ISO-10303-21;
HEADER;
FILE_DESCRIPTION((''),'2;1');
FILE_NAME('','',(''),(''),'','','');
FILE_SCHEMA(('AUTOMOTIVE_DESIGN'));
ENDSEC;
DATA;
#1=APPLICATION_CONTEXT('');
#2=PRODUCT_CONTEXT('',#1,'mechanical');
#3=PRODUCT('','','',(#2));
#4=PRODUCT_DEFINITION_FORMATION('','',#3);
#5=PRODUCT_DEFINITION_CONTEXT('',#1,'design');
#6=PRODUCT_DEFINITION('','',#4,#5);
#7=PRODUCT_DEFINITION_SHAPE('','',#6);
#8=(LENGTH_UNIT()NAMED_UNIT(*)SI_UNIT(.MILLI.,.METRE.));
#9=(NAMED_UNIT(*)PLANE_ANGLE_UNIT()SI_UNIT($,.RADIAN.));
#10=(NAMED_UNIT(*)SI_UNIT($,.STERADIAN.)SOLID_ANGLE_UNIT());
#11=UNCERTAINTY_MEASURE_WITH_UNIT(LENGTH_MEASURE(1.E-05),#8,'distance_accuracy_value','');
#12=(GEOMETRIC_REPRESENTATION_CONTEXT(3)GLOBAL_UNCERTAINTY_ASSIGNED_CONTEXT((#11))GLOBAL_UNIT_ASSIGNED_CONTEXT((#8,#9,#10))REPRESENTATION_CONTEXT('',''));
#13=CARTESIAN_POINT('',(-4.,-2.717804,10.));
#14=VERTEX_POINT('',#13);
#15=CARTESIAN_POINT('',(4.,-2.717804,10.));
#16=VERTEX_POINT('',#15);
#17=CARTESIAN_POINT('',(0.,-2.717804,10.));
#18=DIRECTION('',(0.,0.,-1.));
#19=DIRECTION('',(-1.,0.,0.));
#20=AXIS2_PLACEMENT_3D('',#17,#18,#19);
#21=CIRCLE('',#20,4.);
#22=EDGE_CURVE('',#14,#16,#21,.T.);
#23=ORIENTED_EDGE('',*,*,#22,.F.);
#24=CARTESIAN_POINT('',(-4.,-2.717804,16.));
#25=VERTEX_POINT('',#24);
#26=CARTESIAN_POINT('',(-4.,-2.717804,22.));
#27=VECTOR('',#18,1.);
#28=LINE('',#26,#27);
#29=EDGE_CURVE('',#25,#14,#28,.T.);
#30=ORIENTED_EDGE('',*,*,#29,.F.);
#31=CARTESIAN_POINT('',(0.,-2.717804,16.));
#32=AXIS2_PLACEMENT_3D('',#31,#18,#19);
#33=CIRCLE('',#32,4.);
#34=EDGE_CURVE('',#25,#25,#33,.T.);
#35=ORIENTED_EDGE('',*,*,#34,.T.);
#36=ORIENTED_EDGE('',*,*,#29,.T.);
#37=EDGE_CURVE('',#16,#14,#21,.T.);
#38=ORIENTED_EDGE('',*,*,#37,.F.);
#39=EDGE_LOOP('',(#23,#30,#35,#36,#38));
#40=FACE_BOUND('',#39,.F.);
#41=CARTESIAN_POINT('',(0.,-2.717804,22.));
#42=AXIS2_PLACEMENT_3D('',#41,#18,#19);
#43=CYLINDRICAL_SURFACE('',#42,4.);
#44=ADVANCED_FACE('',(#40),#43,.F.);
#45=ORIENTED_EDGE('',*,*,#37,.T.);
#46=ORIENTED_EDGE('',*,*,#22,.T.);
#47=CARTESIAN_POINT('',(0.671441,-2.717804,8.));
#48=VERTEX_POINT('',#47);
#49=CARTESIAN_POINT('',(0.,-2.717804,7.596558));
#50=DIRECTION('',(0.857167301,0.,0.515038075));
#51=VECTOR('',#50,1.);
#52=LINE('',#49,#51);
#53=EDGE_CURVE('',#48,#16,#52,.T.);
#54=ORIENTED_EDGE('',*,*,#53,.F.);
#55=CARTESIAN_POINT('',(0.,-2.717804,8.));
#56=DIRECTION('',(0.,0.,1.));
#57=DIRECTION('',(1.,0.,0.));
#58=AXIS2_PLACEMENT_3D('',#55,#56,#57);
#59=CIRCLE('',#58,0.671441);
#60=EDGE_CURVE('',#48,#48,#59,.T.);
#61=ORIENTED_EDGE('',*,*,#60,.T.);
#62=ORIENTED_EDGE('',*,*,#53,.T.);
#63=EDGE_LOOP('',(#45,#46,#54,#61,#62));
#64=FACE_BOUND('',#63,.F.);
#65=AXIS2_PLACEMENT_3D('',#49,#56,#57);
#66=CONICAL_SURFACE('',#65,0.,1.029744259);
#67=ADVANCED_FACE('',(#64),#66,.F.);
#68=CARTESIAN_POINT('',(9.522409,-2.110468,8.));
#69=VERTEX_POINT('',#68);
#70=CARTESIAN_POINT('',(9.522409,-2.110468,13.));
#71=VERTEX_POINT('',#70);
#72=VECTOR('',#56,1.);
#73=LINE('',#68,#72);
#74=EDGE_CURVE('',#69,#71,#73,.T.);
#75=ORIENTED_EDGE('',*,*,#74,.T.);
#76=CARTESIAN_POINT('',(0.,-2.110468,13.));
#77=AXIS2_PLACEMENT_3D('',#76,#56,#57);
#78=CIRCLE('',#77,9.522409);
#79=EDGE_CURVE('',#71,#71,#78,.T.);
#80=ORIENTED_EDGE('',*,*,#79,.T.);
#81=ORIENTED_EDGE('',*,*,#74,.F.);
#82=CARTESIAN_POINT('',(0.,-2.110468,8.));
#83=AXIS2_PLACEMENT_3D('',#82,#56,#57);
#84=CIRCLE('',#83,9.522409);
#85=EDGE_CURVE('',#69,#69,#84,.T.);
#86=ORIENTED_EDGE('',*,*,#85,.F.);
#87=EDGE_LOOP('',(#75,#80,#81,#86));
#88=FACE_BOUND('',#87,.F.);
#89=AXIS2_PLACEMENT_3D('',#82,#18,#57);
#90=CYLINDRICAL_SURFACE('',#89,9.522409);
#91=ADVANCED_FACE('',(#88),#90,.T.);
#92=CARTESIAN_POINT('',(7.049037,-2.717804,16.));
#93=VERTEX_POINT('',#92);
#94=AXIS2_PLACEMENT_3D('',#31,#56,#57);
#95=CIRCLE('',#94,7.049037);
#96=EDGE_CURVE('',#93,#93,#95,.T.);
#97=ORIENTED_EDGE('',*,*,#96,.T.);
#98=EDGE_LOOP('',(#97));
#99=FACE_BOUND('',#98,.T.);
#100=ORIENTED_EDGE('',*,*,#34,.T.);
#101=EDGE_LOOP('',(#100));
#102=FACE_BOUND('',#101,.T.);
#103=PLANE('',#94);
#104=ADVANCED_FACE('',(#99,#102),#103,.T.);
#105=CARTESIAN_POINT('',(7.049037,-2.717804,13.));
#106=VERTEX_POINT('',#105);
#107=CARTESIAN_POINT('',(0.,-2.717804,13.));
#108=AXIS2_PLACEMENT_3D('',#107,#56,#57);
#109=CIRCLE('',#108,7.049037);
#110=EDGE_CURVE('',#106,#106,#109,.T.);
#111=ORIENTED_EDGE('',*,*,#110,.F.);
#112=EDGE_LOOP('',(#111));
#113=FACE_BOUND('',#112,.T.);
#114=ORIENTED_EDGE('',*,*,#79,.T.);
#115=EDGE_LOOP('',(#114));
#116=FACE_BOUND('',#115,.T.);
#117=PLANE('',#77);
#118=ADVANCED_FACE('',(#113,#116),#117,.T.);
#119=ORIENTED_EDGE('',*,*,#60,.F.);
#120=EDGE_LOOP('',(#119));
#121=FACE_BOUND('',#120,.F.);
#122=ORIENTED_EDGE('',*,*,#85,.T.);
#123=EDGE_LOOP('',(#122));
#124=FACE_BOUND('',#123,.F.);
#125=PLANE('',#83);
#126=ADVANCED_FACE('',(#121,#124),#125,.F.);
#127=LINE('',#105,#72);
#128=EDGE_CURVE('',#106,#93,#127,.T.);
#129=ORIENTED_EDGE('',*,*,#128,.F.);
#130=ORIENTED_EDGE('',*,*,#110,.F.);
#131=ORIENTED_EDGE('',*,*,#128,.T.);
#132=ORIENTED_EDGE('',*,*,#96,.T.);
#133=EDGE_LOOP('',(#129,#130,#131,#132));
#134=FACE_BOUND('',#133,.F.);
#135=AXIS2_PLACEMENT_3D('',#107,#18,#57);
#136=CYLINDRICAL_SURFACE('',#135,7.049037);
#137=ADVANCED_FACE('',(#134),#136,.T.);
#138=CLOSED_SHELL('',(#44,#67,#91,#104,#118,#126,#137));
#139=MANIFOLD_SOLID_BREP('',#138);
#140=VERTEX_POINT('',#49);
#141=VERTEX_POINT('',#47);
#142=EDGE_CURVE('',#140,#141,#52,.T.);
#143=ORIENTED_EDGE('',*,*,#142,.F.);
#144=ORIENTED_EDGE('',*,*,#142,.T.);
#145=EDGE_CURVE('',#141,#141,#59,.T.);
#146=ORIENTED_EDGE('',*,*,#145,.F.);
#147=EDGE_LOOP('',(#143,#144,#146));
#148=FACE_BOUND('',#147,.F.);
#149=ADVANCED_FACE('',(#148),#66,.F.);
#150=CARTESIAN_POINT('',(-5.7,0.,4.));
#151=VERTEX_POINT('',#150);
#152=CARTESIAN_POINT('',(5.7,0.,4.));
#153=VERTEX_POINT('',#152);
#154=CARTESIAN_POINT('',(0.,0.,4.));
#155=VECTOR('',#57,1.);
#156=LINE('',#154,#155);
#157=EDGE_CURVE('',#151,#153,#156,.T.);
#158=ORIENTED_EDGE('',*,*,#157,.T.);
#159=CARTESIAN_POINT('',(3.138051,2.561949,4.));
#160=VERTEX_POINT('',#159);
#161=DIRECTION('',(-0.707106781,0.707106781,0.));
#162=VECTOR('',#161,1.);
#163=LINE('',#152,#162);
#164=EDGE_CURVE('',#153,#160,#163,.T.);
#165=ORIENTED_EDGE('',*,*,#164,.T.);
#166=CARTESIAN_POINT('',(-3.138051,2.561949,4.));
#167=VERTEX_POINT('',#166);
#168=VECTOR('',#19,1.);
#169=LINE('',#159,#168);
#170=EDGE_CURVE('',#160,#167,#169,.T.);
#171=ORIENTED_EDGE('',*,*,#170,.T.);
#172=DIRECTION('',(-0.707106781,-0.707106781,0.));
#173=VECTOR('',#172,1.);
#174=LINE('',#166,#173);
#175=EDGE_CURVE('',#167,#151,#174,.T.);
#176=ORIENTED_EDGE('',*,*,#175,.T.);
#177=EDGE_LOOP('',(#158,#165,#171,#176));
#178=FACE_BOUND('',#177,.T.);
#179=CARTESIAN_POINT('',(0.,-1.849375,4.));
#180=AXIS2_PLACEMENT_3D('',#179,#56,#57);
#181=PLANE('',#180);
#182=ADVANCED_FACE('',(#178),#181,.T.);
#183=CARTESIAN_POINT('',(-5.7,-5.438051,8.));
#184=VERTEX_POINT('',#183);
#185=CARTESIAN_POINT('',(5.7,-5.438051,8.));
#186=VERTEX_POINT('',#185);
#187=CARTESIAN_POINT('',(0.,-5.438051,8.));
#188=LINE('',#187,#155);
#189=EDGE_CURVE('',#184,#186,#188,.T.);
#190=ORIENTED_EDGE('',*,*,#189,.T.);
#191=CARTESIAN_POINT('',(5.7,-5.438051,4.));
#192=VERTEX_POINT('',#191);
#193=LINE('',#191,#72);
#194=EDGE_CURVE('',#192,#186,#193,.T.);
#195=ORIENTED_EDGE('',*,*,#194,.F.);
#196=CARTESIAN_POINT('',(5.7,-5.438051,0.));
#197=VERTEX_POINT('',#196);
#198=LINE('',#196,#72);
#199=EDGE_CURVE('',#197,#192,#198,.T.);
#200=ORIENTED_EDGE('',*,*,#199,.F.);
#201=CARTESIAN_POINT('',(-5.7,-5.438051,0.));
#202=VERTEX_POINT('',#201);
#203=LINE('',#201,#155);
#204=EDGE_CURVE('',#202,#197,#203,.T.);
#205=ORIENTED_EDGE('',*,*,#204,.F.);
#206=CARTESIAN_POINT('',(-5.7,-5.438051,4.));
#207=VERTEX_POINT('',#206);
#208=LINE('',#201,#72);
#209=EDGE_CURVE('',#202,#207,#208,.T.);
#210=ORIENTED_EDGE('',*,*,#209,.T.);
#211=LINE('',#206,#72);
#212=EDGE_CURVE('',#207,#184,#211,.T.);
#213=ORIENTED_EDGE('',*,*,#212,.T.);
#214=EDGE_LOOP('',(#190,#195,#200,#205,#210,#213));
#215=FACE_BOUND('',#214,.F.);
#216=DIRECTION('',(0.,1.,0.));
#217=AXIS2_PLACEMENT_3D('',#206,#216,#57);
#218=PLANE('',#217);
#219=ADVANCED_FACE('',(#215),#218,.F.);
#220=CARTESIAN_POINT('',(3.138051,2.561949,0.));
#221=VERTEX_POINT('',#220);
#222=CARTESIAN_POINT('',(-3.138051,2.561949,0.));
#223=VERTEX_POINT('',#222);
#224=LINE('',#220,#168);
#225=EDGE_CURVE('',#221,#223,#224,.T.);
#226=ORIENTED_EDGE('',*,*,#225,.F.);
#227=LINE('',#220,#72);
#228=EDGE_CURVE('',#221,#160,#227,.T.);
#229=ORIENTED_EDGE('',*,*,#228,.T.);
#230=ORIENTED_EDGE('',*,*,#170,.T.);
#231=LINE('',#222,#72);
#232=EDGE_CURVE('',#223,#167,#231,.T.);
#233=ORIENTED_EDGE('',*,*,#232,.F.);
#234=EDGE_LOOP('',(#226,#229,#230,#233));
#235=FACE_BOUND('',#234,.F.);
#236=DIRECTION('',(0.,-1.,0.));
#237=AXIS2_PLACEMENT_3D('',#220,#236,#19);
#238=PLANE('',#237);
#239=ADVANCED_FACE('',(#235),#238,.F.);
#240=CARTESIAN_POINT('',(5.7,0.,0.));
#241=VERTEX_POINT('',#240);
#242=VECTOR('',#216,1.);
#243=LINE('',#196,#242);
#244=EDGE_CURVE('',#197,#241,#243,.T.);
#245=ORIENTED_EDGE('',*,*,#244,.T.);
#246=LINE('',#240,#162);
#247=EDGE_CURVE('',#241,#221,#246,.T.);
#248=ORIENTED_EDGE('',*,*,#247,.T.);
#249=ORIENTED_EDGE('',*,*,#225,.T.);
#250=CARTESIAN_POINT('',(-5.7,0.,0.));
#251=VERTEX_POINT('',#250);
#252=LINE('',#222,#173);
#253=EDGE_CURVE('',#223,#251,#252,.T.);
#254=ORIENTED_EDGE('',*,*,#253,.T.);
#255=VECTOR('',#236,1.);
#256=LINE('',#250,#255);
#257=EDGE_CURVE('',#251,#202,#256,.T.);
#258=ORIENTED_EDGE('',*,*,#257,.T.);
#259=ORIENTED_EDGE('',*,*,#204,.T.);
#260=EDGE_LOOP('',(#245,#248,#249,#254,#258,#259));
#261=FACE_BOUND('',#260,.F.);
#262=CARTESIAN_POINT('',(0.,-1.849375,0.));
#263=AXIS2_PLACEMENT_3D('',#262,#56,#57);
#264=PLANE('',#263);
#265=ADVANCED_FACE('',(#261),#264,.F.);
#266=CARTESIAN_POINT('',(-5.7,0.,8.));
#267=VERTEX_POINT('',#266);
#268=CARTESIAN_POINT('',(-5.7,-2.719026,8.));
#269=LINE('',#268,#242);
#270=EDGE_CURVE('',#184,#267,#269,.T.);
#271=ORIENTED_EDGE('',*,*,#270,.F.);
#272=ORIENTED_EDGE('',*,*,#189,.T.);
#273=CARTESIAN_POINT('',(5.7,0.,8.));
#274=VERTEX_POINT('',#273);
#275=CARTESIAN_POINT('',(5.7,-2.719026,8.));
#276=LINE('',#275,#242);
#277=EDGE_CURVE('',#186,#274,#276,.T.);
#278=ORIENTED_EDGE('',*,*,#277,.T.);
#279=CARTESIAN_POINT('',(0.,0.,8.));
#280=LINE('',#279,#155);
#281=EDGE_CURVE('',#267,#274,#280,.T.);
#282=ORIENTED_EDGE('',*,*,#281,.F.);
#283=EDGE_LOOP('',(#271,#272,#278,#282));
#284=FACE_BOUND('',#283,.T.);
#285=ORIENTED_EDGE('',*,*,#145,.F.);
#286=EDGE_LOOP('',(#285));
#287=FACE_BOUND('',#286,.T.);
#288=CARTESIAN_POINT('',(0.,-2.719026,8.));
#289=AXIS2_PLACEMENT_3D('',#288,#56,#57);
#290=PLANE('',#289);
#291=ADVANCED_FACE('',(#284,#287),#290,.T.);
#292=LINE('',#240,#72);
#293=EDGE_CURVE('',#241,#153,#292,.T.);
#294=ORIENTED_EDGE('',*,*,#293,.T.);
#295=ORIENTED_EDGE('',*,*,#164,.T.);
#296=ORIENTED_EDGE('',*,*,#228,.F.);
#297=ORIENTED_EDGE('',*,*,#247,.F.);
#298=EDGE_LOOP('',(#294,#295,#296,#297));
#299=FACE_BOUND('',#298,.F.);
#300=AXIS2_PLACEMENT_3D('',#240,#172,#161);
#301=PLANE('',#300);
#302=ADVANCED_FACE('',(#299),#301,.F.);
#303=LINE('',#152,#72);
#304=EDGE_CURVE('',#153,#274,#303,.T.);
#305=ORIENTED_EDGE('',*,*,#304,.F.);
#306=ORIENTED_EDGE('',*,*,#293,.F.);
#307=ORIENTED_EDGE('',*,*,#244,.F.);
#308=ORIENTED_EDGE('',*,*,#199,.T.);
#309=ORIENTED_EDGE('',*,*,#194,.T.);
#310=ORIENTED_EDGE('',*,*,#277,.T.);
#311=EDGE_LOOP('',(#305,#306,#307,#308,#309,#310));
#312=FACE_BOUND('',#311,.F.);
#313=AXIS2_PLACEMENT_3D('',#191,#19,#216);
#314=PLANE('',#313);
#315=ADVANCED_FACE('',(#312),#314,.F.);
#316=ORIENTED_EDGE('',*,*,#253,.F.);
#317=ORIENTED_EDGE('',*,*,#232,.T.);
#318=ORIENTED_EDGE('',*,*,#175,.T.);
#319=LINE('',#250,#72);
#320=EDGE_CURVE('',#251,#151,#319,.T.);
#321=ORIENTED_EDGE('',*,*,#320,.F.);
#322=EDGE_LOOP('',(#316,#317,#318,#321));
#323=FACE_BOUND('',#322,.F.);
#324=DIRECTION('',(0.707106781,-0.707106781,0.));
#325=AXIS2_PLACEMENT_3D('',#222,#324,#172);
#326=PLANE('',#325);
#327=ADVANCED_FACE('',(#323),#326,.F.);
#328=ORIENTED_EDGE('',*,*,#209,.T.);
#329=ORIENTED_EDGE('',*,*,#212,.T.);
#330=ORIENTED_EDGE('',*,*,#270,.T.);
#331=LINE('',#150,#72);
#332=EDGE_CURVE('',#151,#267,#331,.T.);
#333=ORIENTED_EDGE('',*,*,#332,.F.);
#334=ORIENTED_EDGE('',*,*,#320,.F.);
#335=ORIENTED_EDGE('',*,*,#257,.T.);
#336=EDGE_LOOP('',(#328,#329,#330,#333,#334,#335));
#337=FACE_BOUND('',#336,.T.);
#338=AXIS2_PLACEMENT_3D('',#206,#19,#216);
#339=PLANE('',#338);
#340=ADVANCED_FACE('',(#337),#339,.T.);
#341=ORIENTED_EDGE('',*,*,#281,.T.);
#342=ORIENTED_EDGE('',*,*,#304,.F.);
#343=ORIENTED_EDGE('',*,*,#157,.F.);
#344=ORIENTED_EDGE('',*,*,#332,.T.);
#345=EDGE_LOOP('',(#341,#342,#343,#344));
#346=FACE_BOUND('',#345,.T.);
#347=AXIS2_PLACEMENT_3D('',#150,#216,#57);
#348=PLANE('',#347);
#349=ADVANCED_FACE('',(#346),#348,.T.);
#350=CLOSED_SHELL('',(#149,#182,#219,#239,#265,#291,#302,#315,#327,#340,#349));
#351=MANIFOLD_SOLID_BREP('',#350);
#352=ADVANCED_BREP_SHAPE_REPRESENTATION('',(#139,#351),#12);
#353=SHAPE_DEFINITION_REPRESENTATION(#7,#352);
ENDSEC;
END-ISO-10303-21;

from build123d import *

# Parameters (mm, degrees)
F0_DEPTH   = 4
F1_W       = 11.4
F1_H       = 5.4380514655
F2_DEPTH   = 4
F5_R       = 9.5224089712
F5_W       = 11.4
F5_H       = 5.4380514655
F6_DEPTH   = 5
F7_R       = 7.0490368144
F3_DEPTH   = 3
F9_D       = 8
F9_DEPTH   = 6
F9_TIP     = 2.4034424761
F9_2_D     = 8
F9_2_DEPTH = 6
F9_2_TIP   = 2.4034424761


with BuildPart() as f0:
    # F4 (on Top) → F0 (new body)
    with BuildSketch(Plane.XY):
        Polygon((-5.7, 0), (-5.7, -5.4380514655), (5.7, -5.4380514655), (5.7, 0), (3.1380514655, 2.5619485345), (-3.1380514655, 2.5619485345), align=None)
    extrude(amount=F0_DEPTH)

    # F1 (on face) → F2 (join)
    with BuildSketch(Plane.XY.offset(4)):
        with Locations((0, -2.7190257328)):
            Rectangle(F1_W, F1_H)
    extrude(amount=F2_DEPTH)

    # F9
    with Locations(Plane.XY.offset(16)):
        with Locations((0, -2.7178041637)):
            Hole(F9_D / 2, depth=F9_DEPTH)
            with Locations((0, 0, -(F9_DEPTH + F9_TIP / 2))):  # 118° drill point
                Cone(0, F9_D / 2, F9_TIP, mode=Mode.SUBTRACT)


with BuildPart() as f6:
    # F5 (on face) → F6 (new body)
    with BuildSketch(Plane.XY.offset(8)):
        with Locations((0, -2.1104682237)):
            Circle(F5_R)
        with Locations((0, -2.7190257328)):
            Rectangle(F5_W, F5_H, mode=Mode.SUBTRACT)
        with Locations((0, -2.7190257328)):
            Rectangle(F5_W, F5_H)
    extrude(amount=F6_DEPTH)

    # F7 (on face) → F3 (join)
    with BuildSketch(Plane.XY.offset(13)):
        with Locations((0, -2.7178041637)):
            Circle(F7_R)
    extrude(amount=F3_DEPTH)

    # F9#2
    with Locations(Plane.XY.offset(16)):
        with Locations((0, -2.7178041637)):
            Hole(F9_2_D / 2, depth=F9_2_DEPTH)
            with Locations((0, 0, -(F9_2_DEPTH + F9_2_TIP / 2))):  # 118° drill point
                Cone(0, F9_2_D / 2, F9_2_TIP, mode=Mode.SUBTRACT)


solid = Compound([f0.part, f6.part])
